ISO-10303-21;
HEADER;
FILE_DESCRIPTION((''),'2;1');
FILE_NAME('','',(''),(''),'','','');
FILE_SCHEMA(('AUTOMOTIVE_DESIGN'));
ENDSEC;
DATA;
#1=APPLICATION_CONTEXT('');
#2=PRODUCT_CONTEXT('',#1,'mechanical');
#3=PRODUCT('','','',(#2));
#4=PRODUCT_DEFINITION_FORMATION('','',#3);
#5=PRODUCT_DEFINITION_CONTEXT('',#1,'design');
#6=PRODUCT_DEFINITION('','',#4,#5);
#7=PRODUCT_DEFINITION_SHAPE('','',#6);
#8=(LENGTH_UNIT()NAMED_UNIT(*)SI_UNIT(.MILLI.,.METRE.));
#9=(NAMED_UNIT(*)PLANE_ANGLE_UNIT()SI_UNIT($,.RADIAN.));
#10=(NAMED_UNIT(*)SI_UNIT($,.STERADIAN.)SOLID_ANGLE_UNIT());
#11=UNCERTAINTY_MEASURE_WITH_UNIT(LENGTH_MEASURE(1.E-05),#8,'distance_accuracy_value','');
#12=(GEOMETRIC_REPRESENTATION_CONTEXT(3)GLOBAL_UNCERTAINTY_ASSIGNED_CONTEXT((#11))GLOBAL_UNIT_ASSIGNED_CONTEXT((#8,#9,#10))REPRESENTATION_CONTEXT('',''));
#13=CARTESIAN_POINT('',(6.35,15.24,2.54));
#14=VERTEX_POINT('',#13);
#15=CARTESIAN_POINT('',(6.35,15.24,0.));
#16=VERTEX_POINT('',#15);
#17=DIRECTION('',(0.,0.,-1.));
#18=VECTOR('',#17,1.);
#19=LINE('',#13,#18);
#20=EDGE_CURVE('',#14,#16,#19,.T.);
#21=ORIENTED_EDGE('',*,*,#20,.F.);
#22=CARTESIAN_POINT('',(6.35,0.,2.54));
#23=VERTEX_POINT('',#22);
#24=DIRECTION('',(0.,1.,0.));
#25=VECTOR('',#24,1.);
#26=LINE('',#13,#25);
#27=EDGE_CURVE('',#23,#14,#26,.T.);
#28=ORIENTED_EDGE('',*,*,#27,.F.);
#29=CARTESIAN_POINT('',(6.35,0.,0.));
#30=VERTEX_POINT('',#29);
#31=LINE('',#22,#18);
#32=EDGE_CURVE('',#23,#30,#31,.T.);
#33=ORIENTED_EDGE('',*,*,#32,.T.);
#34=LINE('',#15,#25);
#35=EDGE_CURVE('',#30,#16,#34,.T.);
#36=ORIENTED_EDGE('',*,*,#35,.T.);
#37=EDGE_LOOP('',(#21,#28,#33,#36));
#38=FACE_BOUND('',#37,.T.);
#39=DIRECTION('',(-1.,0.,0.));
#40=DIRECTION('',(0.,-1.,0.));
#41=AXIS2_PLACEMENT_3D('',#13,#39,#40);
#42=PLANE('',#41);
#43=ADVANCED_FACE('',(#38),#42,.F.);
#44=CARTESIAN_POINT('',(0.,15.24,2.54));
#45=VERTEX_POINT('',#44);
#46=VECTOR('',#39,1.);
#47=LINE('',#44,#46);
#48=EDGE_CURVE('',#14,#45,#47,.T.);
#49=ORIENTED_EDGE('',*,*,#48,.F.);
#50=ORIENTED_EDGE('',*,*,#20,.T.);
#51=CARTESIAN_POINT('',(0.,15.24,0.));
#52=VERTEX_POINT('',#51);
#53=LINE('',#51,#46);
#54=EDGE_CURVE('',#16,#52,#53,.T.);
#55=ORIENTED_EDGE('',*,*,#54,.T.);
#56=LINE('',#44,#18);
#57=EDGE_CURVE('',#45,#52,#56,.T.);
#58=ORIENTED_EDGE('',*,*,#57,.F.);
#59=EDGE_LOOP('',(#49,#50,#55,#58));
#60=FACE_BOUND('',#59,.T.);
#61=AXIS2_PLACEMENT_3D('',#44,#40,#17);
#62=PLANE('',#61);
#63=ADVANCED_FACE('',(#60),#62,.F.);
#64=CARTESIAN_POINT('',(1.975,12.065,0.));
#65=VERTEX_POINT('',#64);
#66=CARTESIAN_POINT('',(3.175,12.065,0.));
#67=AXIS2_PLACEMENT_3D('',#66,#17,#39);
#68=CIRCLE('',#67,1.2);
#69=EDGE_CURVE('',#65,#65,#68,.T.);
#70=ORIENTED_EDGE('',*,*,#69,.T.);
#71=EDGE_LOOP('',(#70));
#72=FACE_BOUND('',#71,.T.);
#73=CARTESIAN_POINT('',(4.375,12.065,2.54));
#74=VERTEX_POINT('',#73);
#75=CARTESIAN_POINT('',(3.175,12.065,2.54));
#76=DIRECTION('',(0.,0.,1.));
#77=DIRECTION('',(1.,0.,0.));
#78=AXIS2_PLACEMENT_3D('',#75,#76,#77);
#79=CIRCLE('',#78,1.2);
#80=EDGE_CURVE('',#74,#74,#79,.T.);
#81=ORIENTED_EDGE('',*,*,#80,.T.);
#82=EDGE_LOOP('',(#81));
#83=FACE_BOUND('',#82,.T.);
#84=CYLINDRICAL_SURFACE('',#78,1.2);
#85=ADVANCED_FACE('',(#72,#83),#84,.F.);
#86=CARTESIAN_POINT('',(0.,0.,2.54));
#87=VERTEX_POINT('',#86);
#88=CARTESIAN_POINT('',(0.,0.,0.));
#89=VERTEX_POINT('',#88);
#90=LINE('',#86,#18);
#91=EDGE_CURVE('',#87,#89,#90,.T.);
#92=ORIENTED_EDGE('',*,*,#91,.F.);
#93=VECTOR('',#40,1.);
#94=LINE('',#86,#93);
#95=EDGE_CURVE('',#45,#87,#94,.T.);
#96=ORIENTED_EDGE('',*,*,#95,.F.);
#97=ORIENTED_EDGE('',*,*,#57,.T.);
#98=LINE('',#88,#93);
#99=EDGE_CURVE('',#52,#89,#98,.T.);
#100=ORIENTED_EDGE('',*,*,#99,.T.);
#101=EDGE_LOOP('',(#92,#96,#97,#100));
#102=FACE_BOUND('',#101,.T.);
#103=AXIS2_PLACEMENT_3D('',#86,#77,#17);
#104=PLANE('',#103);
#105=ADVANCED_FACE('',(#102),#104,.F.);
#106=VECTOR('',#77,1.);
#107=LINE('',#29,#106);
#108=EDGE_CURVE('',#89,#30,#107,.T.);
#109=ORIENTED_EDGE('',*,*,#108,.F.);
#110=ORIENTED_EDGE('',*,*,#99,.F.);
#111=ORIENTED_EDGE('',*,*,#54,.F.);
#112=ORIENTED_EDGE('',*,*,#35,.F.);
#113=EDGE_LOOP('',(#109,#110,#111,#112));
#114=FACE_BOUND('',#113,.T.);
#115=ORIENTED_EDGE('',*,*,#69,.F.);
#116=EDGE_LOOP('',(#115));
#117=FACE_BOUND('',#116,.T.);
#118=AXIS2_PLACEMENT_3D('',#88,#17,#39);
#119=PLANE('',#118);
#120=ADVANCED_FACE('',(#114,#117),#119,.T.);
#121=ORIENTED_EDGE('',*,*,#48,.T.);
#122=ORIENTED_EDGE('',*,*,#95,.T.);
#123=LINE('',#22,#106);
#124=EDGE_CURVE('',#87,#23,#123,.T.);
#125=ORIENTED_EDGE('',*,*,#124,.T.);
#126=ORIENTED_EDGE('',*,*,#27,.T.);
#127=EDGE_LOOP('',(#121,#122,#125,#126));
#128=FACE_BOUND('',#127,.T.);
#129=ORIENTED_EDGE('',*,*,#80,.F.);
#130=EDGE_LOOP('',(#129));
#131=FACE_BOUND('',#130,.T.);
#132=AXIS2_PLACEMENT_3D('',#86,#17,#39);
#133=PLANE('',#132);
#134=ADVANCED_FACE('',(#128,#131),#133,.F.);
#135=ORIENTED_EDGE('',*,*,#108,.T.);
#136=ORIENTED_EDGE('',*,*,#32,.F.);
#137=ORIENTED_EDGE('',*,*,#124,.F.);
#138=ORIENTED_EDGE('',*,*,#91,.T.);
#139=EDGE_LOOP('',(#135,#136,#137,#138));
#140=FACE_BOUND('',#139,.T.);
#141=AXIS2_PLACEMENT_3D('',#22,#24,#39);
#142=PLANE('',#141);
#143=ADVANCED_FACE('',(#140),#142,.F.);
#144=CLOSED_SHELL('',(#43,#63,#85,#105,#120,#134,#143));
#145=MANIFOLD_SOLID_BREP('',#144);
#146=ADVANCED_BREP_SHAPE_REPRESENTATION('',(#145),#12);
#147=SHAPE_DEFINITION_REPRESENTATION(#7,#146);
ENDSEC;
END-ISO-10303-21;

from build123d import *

# Parameters (mm, degrees)
SKETCH1_W                = 6.35
SKETCH1_H                = 15.24
BOSS_EXTRUDE1_DEPTH      = 2.54
M2_CLEARANCE_HOLE1_D     = 2.4
M2_CLEARANCE_HOLE1_DEPTH = 10
M2_CLEARANCE_HOLE1_TIP   = 0.721032743


with BuildPart() as part:
    # Sketch1 → Boss-Extrude1 (new body)
    with BuildSketch(Plane.XY):
        with Locations((3.175, 7.62)):
            Rectangle(SKETCH1_W, SKETCH1_H)
    extrude(amount=BOSS_EXTRUDE1_DEPTH)

    # M2 Clearance Hole1
    with Locations(Plane(origin=(3.175, 12.065, 2.54), x_dir=(1, 0, 0), z_dir=(0, 0, 1))):
        with Locations((0, 0)):
            Hole(M2_CLEARANCE_HOLE1_D / 2, depth=M2_CLEARANCE_HOLE1_DEPTH)
            with Locations((0, 0, -(M2_CLEARANCE_HOLE1_DEPTH + M2_CLEARANCE_HOLE1_TIP / 2))):  # 118° drill point
                Cone(0, M2_CLEARANCE_HOLE1_D / 2, M2_CLEARANCE_HOLE1_TIP, mode=Mode.SUBTRACT)


solid = part.part
